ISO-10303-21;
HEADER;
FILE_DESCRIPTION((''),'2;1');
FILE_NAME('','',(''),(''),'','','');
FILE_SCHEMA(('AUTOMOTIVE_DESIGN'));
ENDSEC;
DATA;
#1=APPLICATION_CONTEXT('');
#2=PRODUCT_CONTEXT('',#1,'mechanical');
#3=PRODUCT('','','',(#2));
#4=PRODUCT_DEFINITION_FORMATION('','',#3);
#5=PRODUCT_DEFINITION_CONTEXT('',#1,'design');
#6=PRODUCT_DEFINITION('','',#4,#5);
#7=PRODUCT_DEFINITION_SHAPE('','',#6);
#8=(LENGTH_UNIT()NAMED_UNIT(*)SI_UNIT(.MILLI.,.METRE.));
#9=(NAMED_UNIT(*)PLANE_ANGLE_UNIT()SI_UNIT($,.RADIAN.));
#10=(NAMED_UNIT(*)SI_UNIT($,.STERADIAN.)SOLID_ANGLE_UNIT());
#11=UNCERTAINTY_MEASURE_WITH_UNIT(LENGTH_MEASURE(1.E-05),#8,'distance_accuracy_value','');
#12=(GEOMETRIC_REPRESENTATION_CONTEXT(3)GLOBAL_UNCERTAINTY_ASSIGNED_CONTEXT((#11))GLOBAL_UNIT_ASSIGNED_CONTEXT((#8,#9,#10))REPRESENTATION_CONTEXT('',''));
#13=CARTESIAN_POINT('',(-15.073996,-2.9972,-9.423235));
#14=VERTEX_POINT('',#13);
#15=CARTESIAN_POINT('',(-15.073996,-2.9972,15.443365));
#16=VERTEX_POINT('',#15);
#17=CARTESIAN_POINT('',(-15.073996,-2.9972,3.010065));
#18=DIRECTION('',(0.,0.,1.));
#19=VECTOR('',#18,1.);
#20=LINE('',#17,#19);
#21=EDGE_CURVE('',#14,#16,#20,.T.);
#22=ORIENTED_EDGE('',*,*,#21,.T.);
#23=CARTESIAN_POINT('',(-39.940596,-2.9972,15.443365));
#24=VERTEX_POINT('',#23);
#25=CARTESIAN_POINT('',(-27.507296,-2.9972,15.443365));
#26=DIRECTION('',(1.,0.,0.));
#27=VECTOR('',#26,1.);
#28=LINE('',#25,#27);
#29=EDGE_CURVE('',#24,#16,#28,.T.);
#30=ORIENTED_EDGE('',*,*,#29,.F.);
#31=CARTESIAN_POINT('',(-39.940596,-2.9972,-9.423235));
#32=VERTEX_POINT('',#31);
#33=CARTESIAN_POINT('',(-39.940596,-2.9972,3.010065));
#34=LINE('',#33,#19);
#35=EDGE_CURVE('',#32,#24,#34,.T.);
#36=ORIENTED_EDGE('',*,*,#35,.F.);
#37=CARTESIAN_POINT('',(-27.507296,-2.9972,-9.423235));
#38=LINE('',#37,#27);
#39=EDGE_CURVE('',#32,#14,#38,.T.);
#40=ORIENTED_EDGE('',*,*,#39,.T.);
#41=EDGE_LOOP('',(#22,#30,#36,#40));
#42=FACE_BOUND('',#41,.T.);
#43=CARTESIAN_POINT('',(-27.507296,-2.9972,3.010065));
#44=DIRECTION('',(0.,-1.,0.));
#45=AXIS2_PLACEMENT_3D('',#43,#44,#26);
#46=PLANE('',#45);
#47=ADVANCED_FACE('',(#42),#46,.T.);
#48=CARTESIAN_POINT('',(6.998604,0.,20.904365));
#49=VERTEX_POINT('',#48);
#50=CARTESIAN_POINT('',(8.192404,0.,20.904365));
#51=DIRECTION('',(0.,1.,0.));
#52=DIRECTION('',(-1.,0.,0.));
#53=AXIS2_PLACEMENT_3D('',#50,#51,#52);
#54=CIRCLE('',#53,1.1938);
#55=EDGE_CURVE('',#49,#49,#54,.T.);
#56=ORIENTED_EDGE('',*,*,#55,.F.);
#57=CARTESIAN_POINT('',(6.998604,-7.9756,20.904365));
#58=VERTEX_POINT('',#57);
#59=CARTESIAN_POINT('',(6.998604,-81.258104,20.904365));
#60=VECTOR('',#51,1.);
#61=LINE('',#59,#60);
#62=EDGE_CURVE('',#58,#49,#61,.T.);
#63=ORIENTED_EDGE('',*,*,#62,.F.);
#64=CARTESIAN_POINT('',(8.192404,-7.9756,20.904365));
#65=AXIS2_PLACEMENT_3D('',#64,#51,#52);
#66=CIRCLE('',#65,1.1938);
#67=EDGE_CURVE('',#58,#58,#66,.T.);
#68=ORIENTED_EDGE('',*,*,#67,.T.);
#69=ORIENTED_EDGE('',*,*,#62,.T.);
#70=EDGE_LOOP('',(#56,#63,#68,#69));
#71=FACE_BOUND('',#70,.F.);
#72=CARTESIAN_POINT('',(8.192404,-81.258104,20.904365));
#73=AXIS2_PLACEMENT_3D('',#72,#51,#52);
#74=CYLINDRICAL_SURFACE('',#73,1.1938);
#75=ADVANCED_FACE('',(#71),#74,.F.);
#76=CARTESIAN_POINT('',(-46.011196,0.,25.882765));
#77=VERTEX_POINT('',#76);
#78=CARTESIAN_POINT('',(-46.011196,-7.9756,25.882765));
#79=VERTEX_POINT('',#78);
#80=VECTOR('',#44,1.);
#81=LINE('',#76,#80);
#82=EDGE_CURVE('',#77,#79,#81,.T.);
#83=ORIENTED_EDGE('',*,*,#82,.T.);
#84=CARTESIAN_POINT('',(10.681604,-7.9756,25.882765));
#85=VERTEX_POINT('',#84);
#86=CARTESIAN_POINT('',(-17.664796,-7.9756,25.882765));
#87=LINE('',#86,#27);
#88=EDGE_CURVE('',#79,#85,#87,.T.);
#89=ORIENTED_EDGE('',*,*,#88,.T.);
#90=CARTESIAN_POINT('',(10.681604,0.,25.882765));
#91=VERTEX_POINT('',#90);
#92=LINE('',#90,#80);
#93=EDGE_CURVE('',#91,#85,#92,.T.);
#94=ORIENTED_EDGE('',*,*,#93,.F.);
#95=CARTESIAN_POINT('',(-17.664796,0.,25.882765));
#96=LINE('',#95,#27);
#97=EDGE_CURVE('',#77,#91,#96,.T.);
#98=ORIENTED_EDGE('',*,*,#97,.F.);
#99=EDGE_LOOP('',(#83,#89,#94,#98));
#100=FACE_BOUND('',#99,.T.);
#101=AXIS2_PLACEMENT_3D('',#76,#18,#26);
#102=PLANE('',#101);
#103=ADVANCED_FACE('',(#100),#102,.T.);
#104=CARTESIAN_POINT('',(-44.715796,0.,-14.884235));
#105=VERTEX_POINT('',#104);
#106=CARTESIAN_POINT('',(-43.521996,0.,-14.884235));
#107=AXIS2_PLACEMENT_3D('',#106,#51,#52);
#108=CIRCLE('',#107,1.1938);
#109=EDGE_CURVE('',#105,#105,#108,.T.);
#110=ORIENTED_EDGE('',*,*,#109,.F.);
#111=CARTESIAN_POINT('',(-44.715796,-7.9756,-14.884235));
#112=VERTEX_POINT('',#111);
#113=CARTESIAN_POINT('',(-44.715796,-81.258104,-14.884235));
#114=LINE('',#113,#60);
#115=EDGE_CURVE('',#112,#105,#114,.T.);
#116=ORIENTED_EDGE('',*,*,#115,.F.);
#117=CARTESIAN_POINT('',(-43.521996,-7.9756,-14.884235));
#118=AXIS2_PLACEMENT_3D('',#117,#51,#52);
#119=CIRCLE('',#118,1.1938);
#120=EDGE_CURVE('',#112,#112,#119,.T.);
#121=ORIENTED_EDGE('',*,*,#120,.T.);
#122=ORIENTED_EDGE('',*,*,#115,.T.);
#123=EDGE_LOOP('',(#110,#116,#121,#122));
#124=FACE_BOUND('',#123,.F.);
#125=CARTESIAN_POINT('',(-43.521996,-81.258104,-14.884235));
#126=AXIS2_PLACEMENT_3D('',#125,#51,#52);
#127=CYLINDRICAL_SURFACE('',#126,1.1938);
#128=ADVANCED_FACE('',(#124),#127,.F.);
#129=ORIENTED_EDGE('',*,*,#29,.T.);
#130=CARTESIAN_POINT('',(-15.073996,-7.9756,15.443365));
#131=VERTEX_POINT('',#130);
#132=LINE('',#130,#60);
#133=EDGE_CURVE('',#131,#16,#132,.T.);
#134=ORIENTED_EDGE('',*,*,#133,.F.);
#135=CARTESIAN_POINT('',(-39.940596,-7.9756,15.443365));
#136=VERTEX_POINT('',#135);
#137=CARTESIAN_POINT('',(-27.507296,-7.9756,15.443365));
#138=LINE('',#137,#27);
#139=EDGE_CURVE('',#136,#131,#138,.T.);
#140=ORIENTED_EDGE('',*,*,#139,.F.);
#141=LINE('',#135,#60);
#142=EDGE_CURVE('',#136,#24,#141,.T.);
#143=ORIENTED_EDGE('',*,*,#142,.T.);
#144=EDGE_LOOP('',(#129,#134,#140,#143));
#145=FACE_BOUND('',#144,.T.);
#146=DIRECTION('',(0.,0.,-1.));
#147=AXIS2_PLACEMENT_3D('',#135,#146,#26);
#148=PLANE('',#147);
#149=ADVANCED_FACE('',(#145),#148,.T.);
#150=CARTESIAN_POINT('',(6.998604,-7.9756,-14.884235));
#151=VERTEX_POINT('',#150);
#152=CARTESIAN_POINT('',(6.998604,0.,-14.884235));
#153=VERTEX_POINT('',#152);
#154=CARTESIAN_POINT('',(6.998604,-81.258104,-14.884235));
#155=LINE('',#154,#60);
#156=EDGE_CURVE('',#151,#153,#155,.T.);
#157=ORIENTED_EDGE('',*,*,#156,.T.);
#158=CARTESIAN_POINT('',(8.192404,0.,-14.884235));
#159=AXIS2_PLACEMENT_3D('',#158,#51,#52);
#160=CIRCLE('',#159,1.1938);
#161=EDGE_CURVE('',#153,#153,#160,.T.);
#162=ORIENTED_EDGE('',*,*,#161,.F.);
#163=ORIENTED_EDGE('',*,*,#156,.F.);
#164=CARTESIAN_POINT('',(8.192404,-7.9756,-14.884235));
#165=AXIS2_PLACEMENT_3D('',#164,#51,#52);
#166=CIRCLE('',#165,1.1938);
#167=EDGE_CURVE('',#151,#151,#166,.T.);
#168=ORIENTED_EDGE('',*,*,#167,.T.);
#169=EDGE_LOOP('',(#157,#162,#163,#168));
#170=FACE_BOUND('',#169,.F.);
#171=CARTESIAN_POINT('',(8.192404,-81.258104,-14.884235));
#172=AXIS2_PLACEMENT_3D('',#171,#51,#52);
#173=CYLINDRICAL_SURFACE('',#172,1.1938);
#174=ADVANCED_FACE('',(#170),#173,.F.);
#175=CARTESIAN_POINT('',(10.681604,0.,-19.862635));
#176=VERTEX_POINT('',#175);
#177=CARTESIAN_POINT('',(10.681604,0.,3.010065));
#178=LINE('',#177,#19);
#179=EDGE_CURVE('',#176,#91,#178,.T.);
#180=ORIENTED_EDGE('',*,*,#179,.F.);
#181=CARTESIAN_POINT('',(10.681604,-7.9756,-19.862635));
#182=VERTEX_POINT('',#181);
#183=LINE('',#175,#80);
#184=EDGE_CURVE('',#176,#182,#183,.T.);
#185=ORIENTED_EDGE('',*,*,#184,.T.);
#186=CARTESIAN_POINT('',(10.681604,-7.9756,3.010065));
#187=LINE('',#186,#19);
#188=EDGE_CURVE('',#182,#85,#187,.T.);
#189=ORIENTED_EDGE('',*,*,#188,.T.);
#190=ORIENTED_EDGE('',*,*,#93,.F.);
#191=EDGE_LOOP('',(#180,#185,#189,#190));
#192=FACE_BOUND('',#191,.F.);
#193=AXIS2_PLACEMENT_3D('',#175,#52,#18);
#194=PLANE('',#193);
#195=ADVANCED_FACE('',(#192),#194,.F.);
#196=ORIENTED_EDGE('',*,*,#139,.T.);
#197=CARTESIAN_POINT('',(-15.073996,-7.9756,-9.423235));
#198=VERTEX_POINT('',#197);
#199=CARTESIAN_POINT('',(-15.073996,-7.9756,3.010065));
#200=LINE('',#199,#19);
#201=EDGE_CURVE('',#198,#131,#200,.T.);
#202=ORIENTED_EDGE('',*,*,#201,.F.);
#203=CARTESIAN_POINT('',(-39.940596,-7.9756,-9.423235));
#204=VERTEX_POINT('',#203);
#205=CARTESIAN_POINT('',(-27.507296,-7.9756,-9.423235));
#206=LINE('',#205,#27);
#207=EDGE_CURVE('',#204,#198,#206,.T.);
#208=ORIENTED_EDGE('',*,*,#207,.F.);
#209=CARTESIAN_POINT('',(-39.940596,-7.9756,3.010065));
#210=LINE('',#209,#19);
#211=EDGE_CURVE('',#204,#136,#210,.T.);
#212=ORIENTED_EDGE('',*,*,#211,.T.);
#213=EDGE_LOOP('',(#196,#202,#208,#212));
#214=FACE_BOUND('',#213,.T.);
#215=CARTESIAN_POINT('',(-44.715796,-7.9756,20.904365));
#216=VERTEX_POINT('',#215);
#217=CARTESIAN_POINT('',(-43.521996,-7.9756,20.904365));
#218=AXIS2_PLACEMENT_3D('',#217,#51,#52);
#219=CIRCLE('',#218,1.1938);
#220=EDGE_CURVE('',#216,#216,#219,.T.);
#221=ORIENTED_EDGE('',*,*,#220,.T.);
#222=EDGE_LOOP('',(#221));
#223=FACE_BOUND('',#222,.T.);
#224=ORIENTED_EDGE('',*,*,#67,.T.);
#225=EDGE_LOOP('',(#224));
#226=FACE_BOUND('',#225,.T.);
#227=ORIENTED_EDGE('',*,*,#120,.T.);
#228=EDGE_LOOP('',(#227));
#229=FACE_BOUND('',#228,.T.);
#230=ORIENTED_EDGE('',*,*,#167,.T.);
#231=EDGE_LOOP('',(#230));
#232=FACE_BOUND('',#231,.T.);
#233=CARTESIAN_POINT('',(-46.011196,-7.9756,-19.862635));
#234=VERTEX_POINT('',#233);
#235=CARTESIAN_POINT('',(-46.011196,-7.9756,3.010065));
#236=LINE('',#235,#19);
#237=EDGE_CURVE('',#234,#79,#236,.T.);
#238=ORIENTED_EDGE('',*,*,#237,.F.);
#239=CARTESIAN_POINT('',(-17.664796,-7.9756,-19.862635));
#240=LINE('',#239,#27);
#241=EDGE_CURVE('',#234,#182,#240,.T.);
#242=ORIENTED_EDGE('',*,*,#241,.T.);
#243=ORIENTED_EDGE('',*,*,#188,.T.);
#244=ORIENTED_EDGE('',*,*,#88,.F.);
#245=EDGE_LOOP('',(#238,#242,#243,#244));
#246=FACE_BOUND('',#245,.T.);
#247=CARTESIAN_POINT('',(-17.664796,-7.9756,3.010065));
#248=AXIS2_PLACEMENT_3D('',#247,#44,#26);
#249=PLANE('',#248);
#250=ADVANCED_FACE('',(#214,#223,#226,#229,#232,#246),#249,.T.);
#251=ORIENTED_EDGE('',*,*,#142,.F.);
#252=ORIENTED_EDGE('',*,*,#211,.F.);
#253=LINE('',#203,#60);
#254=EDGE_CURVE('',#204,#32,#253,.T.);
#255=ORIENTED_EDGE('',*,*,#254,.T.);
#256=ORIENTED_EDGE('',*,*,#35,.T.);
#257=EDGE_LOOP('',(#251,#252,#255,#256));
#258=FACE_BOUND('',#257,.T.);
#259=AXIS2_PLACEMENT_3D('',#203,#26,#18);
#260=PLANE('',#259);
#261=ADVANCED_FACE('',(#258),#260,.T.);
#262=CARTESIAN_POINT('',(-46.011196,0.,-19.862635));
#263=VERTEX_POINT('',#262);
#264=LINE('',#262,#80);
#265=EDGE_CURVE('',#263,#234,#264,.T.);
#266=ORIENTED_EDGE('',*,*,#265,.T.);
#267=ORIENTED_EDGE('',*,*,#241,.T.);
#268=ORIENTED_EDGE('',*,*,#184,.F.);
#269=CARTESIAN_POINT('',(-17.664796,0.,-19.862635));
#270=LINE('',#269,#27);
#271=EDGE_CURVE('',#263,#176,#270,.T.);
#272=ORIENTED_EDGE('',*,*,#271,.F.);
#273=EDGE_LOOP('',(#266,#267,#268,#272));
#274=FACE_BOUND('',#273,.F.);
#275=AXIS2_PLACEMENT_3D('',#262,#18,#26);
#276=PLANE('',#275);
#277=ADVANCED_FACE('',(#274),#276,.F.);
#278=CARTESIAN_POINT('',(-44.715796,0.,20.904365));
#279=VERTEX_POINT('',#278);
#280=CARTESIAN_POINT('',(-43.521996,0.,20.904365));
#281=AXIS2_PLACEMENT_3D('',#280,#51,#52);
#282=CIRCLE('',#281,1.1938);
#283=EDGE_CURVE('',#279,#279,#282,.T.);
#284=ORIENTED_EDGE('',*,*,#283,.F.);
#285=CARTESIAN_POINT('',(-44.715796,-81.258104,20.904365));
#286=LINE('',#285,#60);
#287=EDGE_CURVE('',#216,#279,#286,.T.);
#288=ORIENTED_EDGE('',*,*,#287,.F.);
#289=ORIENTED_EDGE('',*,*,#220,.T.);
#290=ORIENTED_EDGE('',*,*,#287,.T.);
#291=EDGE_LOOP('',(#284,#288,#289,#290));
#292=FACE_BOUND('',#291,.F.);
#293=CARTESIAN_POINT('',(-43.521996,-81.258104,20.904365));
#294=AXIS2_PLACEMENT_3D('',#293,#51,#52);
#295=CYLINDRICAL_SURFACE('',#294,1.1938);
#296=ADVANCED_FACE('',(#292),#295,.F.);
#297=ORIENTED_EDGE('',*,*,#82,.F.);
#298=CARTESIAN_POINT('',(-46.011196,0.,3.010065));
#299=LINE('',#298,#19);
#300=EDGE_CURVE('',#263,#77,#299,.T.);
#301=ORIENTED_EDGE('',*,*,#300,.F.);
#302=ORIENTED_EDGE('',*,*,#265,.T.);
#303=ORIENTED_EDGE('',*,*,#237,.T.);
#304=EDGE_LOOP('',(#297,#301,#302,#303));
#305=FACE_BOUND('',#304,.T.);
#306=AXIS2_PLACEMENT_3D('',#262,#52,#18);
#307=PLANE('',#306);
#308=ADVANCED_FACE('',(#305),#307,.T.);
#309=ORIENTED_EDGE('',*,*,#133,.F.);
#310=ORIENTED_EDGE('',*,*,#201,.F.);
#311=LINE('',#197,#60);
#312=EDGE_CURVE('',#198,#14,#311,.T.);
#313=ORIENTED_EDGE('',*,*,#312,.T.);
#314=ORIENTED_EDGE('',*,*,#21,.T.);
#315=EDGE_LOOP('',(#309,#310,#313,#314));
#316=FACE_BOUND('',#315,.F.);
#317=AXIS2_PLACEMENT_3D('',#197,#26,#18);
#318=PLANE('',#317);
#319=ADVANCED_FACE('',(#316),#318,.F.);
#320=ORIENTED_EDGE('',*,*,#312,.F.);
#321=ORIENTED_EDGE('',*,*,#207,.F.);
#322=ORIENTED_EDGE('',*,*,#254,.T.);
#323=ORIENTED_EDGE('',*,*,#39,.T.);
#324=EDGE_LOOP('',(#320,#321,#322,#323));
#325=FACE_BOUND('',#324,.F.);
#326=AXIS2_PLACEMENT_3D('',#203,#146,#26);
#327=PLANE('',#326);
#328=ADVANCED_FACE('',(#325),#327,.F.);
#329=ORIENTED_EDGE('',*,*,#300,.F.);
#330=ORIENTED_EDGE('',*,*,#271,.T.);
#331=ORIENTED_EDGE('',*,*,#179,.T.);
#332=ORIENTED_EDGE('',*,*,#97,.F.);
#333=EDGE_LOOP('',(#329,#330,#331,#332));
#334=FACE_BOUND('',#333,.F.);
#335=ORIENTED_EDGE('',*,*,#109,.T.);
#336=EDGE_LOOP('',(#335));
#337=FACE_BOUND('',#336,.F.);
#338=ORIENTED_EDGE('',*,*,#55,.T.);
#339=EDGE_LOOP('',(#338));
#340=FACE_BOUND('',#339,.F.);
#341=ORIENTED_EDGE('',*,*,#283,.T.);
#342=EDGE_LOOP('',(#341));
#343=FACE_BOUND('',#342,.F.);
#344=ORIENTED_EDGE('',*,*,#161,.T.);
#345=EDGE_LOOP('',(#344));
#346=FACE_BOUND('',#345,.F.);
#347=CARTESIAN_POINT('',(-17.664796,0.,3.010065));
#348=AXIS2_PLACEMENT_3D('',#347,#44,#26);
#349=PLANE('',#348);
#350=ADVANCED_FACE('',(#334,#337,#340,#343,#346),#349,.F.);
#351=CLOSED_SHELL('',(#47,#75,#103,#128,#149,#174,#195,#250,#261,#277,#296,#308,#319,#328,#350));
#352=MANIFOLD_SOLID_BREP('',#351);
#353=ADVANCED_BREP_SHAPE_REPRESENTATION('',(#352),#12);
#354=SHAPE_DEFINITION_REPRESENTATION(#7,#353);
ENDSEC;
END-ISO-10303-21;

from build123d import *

# Parameters (mm, degrees)
F0_W     = 56.6928
F0_H     = 45.7454
F1_DEPTH = 7.9756
F3_D     = 2.3876
F4_W     = 24.8666
F4_H     = 24.8666
F5_DEPTH = 4.9784


with BuildPart() as f1:
    # F0 (on Front) → F1 (new body)
    with BuildSketch(Plane.XZ):
        with Locations((-17.6647957414, 3.0100650459)):
            Rectangle(F0_W, F0_H)
    extrude(amount=F1_DEPTH)

    # F3 (through all)
    with Locations(Plane.XZ.offset(7.9756)):
        with Locations((-43.5219957414, 20.9043650459), (8.1924042586, 20.9043650459), (8.1924042586, -14.8842349541), (-43.5219957414, -14.8842349541)):
            Hole(F3_D / 2)

    # F4 (on face) → F5 (cut)
    with BuildSketch(Plane.XZ.offset(7.9756)):
        with Locations((-27.5072957414, 3.0100650459)):
            Rectangle(F4_W, F4_H)
    extrude(amount=-F5_DEPTH, mode=Mode.SUBTRACT)


solid = f1.part
